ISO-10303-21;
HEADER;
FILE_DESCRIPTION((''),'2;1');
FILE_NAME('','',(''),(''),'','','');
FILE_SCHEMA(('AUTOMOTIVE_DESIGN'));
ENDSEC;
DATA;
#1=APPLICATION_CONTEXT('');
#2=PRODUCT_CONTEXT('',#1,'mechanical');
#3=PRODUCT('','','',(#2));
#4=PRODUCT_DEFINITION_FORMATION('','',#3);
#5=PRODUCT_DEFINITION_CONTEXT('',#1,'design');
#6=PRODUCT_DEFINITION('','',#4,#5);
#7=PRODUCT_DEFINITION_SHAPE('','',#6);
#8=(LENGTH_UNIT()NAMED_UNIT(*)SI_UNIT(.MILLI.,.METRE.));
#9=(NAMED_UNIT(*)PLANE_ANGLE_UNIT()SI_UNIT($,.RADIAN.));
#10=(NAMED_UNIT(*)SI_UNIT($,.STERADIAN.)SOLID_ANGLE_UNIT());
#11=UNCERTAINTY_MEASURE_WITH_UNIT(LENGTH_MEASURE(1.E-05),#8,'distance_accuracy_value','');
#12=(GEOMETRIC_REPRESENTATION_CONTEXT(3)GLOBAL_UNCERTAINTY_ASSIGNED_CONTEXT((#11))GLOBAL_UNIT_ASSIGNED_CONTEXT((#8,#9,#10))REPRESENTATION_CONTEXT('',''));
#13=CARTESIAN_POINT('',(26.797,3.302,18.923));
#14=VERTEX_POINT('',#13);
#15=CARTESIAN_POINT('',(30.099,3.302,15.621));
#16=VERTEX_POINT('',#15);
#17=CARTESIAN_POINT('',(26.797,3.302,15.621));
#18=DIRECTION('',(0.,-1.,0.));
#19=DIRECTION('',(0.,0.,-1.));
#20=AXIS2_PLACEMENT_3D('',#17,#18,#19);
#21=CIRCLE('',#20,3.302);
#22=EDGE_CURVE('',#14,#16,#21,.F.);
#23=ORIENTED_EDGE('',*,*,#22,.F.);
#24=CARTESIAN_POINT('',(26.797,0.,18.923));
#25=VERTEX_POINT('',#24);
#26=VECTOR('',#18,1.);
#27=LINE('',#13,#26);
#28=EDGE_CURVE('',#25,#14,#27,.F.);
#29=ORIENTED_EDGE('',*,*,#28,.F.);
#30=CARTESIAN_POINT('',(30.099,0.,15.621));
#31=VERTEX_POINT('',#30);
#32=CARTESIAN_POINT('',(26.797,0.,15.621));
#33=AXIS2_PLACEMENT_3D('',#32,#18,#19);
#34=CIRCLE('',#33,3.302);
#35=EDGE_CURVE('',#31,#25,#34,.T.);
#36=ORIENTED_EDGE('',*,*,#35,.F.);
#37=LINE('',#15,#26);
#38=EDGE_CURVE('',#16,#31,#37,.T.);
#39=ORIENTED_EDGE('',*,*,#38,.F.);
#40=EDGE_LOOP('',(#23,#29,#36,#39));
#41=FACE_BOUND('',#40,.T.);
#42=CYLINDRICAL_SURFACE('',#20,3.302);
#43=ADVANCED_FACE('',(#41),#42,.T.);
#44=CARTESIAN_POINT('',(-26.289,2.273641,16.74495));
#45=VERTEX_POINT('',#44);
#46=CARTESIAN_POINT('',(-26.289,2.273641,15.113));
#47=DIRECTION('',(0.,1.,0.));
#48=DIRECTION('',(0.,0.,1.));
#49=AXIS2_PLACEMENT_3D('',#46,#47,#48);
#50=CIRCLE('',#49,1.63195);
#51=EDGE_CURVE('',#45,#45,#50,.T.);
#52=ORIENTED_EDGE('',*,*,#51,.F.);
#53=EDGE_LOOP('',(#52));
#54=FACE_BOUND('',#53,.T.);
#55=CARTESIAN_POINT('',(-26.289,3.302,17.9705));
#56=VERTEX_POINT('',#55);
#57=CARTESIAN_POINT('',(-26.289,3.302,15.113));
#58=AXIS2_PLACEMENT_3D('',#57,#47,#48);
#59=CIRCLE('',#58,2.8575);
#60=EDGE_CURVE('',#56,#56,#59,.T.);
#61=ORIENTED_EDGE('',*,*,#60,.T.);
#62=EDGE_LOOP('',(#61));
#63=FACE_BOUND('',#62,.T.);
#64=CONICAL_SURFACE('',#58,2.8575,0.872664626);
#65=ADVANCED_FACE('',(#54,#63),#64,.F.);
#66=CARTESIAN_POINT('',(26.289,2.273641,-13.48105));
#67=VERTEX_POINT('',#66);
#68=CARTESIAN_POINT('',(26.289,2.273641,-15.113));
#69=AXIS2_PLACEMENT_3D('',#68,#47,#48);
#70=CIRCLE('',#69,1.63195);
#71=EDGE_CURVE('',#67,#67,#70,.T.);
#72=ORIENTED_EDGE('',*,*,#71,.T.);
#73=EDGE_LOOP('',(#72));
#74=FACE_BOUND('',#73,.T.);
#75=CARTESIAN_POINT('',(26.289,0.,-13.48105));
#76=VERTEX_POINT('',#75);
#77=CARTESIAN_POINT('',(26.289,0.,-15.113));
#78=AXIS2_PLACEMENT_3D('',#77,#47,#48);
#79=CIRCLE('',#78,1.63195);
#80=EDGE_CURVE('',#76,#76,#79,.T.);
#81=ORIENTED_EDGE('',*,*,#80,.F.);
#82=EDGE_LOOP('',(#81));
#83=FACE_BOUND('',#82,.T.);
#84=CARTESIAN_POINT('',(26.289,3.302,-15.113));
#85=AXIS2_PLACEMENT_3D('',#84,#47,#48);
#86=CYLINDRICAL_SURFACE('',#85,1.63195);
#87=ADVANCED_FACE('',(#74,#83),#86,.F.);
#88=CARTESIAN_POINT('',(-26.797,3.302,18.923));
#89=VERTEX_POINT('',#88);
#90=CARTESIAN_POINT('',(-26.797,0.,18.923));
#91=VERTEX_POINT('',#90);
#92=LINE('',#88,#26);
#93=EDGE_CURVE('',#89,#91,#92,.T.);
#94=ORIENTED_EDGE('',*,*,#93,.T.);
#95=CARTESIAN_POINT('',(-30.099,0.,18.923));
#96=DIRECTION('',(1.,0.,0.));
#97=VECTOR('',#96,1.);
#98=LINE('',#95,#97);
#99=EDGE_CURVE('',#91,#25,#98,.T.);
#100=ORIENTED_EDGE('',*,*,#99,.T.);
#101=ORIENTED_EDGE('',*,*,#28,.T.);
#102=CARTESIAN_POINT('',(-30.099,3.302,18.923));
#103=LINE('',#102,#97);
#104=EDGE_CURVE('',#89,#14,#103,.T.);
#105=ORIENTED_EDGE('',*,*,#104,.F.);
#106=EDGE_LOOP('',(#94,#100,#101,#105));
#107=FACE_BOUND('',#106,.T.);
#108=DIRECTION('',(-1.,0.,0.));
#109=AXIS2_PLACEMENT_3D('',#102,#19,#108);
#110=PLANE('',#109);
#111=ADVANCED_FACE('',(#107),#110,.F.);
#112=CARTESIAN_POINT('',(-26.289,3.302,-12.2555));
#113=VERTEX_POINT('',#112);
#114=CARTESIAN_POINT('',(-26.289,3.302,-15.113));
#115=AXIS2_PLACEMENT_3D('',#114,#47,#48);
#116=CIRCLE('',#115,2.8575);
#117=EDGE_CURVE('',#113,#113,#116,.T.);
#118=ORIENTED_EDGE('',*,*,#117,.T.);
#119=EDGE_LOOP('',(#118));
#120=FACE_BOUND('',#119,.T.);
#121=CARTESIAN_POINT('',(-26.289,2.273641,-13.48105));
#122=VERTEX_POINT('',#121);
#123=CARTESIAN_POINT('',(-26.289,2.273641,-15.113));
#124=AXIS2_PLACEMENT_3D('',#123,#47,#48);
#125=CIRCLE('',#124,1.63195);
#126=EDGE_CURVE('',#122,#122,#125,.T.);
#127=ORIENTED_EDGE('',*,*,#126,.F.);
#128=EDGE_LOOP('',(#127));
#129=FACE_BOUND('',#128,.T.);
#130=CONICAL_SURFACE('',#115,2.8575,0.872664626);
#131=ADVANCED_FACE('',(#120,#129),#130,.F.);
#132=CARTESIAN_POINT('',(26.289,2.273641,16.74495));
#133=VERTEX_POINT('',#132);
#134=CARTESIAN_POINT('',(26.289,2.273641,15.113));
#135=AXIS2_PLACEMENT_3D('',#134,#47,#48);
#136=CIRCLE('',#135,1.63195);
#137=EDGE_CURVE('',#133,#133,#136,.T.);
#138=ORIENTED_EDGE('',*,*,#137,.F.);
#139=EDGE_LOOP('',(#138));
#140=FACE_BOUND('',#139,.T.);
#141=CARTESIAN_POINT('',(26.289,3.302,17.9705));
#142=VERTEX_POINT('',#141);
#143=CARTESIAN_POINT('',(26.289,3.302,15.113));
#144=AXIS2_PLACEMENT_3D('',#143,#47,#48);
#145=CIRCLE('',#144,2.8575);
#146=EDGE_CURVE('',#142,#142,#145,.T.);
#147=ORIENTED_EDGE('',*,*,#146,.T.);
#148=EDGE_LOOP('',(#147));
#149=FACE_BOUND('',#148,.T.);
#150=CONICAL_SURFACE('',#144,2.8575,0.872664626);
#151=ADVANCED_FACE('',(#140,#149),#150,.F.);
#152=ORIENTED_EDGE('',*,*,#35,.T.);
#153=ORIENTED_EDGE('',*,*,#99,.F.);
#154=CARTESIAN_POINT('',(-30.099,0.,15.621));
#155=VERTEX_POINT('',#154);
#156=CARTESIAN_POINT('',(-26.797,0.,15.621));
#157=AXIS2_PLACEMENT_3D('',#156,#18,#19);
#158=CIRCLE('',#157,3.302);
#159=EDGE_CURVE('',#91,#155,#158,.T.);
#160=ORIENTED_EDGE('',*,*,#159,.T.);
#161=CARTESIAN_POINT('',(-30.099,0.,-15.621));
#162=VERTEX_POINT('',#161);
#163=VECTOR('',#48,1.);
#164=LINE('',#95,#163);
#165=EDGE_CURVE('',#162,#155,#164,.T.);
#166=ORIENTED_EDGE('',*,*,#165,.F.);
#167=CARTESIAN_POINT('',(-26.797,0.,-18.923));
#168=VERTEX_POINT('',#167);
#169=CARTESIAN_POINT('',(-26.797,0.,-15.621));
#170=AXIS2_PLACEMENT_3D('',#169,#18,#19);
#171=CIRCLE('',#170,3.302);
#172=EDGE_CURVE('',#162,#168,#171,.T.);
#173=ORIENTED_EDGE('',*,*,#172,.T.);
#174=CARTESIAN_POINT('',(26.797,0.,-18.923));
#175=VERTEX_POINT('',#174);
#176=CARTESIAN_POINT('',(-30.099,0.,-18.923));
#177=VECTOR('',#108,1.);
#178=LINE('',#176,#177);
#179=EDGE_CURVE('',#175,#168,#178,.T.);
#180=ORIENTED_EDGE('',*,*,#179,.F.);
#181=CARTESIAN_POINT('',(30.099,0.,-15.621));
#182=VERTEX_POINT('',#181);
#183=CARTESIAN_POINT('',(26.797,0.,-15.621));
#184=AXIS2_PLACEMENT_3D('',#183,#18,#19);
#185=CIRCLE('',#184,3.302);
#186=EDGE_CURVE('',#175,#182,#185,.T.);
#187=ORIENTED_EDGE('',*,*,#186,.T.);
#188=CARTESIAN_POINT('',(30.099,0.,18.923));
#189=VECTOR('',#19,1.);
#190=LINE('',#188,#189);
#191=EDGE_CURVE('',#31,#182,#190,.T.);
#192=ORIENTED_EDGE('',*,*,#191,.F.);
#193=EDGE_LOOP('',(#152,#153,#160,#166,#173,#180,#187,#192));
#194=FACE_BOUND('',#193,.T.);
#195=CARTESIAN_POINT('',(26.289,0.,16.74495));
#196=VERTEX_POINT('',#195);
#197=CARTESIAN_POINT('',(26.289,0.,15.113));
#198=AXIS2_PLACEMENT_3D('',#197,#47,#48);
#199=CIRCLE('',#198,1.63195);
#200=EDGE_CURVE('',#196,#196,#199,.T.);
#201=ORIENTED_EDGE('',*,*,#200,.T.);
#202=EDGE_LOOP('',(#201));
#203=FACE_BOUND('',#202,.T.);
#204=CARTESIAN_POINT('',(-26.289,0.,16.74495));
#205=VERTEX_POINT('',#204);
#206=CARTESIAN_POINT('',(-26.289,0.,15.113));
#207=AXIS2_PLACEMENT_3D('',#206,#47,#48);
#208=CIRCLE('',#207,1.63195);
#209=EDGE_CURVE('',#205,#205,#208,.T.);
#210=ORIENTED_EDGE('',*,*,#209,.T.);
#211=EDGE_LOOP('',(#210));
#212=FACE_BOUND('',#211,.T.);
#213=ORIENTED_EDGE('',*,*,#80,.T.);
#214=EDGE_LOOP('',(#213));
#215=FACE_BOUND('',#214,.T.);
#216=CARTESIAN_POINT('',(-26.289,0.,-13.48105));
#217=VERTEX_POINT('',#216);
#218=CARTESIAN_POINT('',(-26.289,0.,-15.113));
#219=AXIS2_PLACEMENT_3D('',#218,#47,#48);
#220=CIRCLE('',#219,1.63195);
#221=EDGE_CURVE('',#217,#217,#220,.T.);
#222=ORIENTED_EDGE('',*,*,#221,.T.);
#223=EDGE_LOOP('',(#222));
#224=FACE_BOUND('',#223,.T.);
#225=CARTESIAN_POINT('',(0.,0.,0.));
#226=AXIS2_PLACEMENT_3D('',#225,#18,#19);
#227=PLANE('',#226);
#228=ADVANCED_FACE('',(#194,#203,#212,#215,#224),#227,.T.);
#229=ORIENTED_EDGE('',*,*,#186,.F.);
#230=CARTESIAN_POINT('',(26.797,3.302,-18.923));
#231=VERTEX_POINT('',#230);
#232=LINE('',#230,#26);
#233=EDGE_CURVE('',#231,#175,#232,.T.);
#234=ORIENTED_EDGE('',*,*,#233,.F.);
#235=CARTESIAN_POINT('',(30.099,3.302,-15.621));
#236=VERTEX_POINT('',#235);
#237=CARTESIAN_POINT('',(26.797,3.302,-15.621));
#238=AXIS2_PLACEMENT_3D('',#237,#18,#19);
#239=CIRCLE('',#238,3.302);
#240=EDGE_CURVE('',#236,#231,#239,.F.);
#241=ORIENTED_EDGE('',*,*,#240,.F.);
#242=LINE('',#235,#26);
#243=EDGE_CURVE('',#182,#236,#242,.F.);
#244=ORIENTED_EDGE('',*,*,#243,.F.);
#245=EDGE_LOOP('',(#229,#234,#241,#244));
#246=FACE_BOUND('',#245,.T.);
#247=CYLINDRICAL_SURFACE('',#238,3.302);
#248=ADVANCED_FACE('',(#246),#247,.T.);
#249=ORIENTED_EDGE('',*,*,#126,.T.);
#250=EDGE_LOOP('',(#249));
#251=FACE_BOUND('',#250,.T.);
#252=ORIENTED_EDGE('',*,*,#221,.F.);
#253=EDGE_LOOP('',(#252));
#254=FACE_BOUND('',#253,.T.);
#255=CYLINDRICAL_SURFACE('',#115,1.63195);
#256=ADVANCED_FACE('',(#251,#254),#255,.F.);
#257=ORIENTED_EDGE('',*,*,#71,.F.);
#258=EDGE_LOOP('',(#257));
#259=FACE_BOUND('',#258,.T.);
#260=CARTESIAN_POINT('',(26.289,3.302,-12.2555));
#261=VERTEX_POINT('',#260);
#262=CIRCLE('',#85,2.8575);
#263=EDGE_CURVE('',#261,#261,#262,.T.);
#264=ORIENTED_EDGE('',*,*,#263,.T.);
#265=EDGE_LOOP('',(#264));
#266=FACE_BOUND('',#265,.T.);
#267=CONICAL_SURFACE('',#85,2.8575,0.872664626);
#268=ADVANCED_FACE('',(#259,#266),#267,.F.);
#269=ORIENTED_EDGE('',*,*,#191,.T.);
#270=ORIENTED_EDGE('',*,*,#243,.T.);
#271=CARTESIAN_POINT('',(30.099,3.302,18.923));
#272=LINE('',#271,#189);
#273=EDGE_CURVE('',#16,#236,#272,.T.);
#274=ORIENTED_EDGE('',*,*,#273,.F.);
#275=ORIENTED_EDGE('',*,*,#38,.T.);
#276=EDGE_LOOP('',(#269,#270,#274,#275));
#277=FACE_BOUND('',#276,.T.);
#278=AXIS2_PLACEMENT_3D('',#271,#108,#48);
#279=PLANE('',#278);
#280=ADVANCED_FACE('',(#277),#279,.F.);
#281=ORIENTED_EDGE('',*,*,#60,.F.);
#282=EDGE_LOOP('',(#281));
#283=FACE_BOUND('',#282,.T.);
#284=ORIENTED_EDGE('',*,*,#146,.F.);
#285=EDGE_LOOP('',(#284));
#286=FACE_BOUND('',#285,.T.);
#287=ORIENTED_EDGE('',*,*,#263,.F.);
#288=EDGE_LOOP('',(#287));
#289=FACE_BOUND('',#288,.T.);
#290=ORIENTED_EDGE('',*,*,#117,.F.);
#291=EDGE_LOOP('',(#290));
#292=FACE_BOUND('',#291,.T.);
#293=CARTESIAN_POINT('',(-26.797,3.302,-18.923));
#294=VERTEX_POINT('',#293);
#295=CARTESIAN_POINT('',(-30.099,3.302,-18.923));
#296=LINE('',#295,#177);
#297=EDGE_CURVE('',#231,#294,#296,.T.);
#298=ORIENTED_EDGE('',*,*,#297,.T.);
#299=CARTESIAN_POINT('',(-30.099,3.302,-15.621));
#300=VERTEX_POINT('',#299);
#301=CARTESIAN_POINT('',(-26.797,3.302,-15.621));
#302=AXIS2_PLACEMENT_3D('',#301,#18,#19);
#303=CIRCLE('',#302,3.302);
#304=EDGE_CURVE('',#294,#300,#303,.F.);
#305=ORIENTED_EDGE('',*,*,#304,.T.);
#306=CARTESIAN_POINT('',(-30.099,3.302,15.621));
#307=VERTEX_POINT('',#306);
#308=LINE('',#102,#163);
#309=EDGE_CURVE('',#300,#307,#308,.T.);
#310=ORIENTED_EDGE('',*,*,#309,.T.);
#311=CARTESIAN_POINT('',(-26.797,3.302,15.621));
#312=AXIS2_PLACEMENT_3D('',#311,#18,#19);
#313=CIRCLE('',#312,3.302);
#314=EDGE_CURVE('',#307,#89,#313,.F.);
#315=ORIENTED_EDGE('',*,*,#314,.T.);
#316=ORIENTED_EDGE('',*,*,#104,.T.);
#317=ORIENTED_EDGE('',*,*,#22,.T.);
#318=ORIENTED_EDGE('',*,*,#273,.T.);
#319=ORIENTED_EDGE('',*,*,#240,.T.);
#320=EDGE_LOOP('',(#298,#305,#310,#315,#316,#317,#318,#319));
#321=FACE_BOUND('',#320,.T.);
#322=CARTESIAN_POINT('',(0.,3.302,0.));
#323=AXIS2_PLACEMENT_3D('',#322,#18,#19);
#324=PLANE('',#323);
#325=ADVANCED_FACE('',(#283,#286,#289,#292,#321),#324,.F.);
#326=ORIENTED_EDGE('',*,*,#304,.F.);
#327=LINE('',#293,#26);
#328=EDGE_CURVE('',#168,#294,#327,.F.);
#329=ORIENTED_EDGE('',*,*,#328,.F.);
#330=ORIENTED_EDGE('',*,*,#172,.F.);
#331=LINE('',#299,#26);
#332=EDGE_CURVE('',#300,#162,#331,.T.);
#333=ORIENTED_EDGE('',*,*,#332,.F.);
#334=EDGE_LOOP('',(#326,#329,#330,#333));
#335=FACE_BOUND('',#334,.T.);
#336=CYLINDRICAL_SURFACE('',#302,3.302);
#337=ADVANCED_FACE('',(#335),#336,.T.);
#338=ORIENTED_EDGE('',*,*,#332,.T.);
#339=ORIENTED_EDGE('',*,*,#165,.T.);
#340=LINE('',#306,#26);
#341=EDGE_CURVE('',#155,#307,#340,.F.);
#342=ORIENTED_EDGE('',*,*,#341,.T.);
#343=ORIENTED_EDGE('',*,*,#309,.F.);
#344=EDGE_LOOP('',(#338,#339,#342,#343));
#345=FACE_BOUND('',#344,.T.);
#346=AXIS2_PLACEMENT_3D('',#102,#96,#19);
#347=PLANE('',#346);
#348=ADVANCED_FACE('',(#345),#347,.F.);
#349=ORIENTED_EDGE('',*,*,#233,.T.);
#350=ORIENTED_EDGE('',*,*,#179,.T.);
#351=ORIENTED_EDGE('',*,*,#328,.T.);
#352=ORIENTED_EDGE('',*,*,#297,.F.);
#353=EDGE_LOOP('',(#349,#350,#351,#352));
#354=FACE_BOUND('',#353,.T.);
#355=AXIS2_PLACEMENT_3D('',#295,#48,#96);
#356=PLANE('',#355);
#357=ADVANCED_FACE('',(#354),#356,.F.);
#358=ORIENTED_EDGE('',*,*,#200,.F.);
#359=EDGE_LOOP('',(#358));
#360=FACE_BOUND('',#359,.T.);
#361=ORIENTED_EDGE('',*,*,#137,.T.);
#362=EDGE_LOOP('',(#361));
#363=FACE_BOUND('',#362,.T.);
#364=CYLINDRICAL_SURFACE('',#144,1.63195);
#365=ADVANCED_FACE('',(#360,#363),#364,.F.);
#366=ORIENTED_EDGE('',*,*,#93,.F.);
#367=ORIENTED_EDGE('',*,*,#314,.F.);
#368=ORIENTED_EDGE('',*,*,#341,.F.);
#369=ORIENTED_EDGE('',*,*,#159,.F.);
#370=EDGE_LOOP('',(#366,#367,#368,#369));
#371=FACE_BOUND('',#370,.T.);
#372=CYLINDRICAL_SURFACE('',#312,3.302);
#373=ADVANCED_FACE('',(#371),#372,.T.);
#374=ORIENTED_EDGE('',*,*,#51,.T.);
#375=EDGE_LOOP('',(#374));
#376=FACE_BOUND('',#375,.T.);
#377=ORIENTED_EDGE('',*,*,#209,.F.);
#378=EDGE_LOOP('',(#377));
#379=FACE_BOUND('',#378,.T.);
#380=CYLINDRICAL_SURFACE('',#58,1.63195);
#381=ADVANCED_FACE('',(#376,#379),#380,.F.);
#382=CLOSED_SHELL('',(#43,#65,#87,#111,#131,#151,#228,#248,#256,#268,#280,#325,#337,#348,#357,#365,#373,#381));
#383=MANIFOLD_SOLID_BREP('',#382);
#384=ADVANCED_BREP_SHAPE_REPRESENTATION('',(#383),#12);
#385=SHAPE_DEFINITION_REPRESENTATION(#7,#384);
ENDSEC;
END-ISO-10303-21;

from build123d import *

# Parameters (mm, degrees)
SKETCH1_W                                         = 60.198
SKETCH1_H                                         = 37.846
BOSS_EXTRUDE1_DEPTH                               = 3.302
FILLET1_R                                         = 3.302
CSK_FOR_4_FLAT_HEAD_MACHINE_SCREW_100_D           = 3.2639
CSK_FOR_4_FLAT_HEAD_MACHINE_SCREW_100_CSINK_D     = 5.715
CSK_FOR_4_FLAT_HEAD_MACHINE_SCREW_100_CSINK_ANGLE = 100


with BuildPart() as part:
    # Sketch1 → Boss-Extrude1 (new body)
    with BuildSketch(Plane(origin=(0, 0, 0), x_dir=(1, 0, 0), z_dir=(0, 1, 0))):
        Rectangle(SKETCH1_W, SKETCH1_H)
    extrude(amount=BOSS_EXTRUDE1_DEPTH)

    # Fillet1
    fillet1_edges = [part.edges().sort_by_distance(p)[0] for p in [
        (30.099, 1.651, 18.923),
        (-30.099, 1.651, 18.923),
        (-30.099, 1.651, -18.923),
        (30.099, 1.651, -18.923),
    ]]
    fillet(fillet1_edges, radius=FILLET1_R)

    # CSK for #4 Flat Head Machine Screw (100)1 (through all)
    with Locations(Plane(origin=(0, 3.302, 0), x_dir=(1, 0, 0), z_dir=(0, 1, 0))):
        with Locations((-26.289, 15.113), (-26.289, -15.113), (26.289, -15.113), (26.289, 15.113)):
            CounterSinkHole(CSK_FOR_4_FLAT_HEAD_MACHINE_SCREW_100_D / 2, CSK_FOR_4_FLAT_HEAD_MACHINE_SCREW_100_CSINK_D / 2, counter_sink_angle=CSK_FOR_4_FLAT_HEAD_MACHINE_SCREW_100_CSINK_ANGLE)


solid = part.part
